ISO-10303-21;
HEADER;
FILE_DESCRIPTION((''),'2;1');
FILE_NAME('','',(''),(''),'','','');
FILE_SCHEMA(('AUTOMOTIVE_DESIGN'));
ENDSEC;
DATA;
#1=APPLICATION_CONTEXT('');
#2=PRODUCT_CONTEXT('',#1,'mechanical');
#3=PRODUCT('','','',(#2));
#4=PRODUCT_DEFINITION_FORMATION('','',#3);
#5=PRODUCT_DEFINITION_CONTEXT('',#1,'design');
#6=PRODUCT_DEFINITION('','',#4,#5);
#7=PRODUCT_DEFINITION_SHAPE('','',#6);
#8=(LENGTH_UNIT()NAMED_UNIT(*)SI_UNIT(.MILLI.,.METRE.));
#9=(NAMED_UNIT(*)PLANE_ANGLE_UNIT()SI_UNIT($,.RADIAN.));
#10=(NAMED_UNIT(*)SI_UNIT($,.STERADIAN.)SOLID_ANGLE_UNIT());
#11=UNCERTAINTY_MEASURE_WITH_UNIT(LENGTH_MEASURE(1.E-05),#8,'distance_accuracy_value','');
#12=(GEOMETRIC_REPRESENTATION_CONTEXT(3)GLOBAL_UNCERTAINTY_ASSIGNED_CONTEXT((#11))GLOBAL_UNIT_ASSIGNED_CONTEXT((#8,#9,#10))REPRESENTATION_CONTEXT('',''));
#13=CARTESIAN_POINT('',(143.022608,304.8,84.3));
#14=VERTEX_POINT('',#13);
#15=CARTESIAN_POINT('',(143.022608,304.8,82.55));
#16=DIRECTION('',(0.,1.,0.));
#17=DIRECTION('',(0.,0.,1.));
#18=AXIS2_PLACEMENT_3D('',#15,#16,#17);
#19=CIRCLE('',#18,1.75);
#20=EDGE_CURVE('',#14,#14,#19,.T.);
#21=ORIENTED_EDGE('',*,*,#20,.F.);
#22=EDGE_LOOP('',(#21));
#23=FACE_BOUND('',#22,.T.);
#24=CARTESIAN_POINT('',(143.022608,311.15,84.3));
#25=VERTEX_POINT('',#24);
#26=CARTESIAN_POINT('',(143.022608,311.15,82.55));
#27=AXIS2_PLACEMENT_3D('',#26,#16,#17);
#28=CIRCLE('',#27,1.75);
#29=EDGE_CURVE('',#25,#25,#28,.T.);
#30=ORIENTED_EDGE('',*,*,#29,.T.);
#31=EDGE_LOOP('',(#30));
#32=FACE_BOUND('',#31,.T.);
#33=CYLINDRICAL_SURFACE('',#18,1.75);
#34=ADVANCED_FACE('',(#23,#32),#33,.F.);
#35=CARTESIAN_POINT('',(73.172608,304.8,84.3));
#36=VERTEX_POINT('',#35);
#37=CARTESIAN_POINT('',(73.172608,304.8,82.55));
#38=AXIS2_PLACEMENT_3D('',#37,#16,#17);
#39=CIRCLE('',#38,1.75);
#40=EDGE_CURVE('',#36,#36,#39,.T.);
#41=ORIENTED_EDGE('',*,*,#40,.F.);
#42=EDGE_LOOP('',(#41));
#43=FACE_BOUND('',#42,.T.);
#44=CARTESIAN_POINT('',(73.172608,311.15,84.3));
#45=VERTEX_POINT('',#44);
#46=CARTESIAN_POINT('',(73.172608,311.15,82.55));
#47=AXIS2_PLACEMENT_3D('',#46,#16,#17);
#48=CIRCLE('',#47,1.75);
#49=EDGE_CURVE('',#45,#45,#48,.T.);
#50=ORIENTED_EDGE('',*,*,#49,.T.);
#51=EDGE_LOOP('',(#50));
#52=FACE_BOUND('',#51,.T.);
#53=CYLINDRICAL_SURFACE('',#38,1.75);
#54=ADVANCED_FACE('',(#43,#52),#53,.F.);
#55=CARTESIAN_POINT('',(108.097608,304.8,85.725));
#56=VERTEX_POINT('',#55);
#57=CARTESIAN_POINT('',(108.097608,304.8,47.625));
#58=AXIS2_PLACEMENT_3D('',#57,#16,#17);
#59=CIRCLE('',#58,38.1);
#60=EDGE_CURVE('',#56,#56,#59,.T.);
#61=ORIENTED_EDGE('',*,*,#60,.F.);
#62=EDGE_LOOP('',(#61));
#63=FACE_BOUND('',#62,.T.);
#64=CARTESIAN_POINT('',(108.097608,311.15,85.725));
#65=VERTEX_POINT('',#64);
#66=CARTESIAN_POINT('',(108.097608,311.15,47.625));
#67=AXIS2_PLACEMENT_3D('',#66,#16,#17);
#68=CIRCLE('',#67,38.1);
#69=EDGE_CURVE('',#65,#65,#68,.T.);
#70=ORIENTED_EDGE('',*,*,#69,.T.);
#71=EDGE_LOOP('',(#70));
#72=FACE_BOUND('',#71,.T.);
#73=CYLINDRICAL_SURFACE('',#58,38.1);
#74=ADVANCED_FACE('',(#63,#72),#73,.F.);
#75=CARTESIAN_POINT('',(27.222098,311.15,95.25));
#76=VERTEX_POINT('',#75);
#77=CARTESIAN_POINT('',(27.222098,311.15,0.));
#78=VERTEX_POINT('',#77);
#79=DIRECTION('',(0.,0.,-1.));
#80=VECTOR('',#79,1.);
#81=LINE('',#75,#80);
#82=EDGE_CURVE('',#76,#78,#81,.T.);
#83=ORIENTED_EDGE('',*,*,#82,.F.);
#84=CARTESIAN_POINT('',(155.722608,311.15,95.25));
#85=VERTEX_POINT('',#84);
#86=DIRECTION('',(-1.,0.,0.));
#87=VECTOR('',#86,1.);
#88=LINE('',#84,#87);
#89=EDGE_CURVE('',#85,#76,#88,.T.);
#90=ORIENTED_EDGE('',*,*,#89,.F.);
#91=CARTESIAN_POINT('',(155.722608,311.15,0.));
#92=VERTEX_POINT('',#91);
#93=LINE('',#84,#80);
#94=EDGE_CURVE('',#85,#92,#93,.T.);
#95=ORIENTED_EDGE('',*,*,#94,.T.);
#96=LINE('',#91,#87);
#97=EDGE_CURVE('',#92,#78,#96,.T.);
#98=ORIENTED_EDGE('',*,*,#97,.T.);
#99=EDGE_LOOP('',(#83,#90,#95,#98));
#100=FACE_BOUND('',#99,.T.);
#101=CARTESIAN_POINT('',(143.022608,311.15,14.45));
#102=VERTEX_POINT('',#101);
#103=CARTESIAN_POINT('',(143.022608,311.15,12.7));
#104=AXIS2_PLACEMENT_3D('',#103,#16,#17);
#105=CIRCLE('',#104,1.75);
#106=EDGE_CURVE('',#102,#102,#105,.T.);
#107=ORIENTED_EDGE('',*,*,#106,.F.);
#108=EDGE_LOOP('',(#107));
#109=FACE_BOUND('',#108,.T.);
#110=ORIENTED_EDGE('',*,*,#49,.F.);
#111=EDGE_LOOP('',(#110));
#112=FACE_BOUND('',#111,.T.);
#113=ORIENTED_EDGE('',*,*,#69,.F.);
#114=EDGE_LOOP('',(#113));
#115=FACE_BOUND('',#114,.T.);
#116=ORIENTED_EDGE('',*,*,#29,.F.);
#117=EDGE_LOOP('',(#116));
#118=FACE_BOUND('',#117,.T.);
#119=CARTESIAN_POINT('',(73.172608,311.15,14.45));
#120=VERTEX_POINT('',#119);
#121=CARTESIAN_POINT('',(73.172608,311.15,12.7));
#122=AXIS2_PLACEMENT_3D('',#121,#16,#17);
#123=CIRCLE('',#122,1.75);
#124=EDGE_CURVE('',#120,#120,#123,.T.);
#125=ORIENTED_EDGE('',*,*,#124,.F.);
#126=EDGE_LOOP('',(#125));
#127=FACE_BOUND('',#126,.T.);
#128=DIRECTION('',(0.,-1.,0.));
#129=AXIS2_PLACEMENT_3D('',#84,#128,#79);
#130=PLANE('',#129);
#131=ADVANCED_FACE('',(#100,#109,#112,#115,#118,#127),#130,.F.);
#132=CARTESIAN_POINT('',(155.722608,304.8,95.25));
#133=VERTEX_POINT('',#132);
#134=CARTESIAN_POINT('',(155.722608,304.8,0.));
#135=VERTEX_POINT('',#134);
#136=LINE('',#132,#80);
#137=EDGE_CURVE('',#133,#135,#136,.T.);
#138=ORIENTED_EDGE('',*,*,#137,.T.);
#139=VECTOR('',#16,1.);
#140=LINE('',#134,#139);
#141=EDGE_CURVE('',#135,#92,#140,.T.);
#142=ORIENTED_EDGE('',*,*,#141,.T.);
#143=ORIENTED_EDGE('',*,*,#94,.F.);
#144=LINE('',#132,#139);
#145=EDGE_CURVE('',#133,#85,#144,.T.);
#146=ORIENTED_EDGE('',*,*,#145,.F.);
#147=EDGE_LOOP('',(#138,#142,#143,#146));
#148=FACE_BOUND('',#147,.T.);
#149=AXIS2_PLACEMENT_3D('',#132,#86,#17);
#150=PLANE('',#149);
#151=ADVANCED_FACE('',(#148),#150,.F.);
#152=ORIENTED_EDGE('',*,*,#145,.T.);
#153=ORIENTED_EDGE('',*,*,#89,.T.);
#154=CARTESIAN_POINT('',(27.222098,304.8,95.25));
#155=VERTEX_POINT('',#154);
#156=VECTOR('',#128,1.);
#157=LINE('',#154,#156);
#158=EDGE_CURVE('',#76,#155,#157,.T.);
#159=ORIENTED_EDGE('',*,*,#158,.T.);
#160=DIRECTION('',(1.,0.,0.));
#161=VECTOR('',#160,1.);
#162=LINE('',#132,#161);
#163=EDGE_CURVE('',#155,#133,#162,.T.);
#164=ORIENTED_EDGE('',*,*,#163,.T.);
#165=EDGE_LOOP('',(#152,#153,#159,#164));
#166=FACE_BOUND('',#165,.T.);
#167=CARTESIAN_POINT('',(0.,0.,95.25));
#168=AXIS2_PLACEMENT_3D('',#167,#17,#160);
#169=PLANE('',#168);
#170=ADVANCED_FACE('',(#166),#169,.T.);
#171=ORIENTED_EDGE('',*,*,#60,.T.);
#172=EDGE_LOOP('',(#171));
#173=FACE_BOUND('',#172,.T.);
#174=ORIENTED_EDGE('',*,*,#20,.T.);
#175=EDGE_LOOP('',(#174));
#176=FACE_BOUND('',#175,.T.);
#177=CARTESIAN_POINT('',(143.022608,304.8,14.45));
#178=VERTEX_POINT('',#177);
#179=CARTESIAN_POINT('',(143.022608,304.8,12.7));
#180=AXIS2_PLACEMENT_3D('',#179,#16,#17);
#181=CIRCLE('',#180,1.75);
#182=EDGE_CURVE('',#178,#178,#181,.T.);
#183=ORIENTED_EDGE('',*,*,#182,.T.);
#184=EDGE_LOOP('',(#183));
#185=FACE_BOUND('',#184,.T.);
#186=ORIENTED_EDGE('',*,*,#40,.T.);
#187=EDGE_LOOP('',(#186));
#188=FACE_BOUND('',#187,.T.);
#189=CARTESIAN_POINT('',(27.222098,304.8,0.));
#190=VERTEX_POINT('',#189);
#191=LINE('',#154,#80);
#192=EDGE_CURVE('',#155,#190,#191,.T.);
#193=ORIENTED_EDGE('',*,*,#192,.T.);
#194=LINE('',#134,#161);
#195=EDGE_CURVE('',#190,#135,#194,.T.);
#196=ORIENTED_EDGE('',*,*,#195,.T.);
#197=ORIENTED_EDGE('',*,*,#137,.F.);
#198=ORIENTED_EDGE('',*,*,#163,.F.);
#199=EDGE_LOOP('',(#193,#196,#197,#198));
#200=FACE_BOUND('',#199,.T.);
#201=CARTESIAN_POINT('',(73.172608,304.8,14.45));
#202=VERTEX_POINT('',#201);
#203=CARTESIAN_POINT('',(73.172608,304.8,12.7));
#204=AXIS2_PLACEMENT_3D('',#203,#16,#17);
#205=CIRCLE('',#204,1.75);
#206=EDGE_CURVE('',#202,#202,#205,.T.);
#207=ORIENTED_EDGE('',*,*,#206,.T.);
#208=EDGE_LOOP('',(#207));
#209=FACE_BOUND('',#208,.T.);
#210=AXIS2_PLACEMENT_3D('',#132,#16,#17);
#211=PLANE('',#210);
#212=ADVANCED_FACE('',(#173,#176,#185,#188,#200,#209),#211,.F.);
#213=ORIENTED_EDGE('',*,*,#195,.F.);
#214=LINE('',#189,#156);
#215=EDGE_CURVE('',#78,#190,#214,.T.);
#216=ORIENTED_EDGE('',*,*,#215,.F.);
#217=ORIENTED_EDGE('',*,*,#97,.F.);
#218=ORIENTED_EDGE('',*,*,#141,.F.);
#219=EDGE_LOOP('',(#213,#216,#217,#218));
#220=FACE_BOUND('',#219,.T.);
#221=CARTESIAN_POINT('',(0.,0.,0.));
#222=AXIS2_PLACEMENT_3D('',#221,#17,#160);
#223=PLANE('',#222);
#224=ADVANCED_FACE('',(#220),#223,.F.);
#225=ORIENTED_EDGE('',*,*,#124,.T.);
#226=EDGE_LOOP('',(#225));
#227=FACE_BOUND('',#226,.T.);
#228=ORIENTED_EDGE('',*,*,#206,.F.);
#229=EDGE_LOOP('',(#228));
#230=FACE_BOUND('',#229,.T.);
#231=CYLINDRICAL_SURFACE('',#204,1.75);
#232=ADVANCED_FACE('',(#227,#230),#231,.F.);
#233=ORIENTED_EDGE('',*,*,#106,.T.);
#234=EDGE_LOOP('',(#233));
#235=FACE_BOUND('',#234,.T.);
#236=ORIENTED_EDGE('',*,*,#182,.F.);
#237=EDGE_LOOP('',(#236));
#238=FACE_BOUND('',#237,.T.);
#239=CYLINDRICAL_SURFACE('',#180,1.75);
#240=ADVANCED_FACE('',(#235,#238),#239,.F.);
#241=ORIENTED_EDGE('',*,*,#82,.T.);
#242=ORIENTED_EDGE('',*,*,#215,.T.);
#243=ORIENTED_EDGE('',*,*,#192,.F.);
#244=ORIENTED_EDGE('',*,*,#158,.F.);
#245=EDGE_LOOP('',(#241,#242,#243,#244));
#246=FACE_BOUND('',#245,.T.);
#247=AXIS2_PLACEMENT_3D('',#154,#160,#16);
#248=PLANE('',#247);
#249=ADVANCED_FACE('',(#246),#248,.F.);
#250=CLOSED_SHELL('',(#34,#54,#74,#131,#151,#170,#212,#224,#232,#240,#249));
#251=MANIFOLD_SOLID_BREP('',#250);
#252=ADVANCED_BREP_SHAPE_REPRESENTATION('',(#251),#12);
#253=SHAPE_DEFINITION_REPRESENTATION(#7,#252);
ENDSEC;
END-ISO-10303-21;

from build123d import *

# Parameters (mm, degrees)
SKETCH5_W           = 128.500510093
SKETCH5_H           = 6.35
BOSS_EXTRUDE1_DEPTH = 95.25
SKETCH6_R           = 38.1
SKETCH6_R_2         = 1.75
CUT_EXTRUDE3_DEPTH  = 7.35


with BuildPart() as part:
    # Sketch5 → Boss-Extrude1 (new body)
    with BuildSketch(Plane.XY):
        with Locations((91.472352703, 307.975)):
            Rectangle(SKETCH5_W, SKETCH5_H)
    extrude(amount=BOSS_EXTRUDE1_DEPTH)

    # Sketch6 → Cut-Extrude3 (cut, through all)
    with BuildSketch(Plane(origin=(0, 311.15, 0), x_dir=(1, 0, 0), z_dir=(0, 1, 0))):
        with Locations((108.097607749, -47.625)):
            Circle(SKETCH6_R)
        with Locations((73.172607749, -12.7)):
            Circle(SKETCH6_R_2)
        with Locations((73.172607749, -82.55)):
            Circle(SKETCH6_R_2)
        with Locations((143.022607749, -82.55)):
            Circle(SKETCH6_R_2)
        with Locations((143.022607749, -12.7)):
            Circle(SKETCH6_R_2)
    extrude(amount=-CUT_EXTRUDE3_DEPTH, mode=Mode.SUBTRACT)


solid = part.part
